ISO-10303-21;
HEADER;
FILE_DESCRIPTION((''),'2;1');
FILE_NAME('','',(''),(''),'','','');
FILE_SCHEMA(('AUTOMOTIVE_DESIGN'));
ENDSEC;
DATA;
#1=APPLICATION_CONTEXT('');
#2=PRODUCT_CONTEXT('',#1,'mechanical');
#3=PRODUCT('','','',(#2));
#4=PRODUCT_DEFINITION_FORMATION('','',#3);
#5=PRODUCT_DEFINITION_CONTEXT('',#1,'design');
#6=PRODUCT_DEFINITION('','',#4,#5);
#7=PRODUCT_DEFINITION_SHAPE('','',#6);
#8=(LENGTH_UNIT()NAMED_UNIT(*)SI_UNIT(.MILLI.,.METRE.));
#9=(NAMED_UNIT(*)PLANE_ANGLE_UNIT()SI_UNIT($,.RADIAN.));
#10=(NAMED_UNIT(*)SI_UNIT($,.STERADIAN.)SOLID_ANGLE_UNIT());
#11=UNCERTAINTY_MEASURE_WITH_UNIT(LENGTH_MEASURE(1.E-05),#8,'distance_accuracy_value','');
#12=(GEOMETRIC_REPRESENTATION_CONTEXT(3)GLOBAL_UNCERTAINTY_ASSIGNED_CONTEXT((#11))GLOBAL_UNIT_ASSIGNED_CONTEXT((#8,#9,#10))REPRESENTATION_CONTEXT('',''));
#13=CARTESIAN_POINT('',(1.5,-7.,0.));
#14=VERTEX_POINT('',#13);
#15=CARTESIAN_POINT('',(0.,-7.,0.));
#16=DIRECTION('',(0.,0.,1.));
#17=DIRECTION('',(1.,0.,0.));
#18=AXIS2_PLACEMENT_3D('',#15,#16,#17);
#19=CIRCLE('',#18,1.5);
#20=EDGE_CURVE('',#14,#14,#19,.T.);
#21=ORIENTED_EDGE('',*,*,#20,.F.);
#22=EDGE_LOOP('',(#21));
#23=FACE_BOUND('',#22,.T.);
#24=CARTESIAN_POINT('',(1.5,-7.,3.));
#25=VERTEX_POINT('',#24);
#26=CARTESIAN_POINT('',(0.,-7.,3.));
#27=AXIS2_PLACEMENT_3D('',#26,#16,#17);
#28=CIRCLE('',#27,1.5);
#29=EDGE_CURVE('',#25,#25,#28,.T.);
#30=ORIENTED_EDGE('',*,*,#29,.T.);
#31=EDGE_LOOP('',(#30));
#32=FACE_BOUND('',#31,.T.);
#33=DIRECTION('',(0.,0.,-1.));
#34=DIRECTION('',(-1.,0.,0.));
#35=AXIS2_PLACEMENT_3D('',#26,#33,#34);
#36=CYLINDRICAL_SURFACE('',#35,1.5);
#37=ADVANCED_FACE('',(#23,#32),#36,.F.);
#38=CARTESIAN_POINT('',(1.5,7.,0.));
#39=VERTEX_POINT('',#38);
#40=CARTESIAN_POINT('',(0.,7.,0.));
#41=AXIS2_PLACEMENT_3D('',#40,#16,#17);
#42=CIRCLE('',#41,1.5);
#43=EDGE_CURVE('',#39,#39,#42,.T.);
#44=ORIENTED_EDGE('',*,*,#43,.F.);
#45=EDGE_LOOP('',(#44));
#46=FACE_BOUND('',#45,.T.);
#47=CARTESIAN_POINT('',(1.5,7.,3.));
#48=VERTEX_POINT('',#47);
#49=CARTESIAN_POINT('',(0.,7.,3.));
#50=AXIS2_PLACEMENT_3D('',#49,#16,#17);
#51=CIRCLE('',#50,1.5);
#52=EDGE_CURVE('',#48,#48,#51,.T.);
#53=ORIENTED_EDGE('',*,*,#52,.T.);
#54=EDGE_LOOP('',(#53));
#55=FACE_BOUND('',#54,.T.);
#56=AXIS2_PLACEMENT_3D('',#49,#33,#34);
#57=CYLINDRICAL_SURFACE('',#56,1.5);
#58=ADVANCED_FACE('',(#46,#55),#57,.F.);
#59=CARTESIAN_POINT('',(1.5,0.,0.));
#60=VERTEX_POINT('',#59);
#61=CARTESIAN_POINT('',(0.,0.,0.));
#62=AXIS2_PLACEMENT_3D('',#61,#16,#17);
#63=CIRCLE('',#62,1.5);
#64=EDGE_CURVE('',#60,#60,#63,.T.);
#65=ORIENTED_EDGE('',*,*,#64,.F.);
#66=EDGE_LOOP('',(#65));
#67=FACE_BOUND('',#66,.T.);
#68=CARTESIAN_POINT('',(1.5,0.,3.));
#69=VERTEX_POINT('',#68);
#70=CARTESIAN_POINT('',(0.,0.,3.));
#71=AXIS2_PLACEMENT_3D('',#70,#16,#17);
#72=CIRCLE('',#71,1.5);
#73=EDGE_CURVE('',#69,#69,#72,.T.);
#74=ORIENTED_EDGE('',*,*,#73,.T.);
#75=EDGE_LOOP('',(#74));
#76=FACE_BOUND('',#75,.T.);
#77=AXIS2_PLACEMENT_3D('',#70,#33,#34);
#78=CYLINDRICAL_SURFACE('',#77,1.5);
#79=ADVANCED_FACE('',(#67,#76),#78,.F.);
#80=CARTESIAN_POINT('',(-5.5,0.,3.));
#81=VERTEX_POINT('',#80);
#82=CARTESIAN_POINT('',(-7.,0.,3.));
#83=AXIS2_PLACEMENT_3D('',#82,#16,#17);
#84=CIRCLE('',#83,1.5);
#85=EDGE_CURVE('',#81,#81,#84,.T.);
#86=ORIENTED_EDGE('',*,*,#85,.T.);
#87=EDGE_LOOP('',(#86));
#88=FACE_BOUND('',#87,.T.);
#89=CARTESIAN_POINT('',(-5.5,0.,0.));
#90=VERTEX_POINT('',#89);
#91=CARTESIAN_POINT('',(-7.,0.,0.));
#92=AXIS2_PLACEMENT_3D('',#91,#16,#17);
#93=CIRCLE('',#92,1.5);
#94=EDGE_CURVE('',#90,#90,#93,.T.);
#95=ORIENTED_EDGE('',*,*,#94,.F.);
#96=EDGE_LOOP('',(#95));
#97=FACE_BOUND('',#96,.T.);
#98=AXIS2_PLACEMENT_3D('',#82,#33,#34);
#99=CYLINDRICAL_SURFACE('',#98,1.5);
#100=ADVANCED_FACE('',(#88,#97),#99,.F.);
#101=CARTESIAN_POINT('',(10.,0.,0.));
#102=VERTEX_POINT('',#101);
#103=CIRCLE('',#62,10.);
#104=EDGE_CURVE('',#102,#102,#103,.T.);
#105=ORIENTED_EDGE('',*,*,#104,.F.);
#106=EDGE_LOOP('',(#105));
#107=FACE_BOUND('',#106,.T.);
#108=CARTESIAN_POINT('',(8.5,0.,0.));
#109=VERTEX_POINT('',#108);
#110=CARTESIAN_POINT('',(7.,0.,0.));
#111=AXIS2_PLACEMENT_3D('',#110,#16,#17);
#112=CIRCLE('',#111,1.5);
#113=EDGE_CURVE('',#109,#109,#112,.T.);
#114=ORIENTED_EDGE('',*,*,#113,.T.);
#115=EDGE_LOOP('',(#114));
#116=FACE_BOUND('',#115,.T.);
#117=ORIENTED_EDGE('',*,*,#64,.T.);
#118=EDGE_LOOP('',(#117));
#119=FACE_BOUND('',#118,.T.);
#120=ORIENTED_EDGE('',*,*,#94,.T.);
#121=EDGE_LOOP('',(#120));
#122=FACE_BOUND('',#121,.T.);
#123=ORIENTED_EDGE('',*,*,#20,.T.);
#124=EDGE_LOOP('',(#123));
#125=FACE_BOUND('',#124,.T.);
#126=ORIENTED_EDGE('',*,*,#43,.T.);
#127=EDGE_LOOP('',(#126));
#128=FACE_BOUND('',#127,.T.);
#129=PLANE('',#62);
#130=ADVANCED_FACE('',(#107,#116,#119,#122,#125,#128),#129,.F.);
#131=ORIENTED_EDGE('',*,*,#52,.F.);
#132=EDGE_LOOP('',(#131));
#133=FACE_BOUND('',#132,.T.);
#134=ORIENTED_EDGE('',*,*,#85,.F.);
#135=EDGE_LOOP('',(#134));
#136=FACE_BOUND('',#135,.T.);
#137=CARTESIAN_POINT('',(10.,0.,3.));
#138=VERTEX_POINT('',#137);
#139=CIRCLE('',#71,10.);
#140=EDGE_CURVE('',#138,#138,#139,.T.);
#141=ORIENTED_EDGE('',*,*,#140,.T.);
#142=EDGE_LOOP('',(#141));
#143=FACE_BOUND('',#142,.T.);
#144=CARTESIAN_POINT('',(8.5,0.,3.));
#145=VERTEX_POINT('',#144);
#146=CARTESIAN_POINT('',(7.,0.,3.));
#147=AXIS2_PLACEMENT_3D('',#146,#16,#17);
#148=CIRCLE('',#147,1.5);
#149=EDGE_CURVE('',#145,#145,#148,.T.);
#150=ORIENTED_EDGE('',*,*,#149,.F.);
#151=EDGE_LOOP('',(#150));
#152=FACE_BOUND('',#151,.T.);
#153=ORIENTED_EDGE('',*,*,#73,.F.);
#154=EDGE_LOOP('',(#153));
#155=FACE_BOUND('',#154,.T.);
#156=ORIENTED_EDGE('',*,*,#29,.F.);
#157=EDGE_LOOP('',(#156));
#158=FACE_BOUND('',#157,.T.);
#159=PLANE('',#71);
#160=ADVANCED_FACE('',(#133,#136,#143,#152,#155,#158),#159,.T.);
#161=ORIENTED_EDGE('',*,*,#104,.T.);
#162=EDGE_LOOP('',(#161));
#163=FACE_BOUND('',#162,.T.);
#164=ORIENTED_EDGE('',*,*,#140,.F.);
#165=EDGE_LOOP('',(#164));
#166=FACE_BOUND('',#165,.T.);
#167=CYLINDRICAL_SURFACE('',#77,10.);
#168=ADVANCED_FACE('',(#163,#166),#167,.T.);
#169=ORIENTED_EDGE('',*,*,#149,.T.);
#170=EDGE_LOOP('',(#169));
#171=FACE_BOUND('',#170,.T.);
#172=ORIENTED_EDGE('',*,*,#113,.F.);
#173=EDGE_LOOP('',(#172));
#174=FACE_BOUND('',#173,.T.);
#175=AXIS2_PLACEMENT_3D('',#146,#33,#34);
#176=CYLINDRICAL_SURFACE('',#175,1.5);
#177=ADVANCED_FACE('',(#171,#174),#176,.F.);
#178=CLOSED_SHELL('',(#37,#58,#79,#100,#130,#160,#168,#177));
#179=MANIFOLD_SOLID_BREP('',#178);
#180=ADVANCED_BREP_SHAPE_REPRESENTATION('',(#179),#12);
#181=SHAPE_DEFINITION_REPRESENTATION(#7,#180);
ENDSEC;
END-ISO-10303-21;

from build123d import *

# Parameters (mm, degrees)
SKETCH_1_R      = 10
SKETCH_1_R_2    = 1.5
EXTRUDE_1_DEPTH = 3


with BuildPart() as part:
    # Эскиз1 → Бобышка-Вытянуть1 (new body)
    with BuildSketch(Plane.XY):
        Circle(SKETCH_1_R)
        with Locations((0, 7)):
            Circle(SKETCH_1_R_2, mode=Mode.SUBTRACT)
        with Locations((7, 0)):
            Circle(SKETCH_1_R_2, mode=Mode.SUBTRACT)
        with Locations((0, -7)):
            Circle(SKETCH_1_R_2, mode=Mode.SUBTRACT)
        with Locations((-7, 0)):
            Circle(SKETCH_1_R_2, mode=Mode.SUBTRACT)
        Circle(SKETCH_1_R_2, mode=Mode.SUBTRACT)
    extrude(amount=EXTRUDE_1_DEPTH)


solid = part.part
